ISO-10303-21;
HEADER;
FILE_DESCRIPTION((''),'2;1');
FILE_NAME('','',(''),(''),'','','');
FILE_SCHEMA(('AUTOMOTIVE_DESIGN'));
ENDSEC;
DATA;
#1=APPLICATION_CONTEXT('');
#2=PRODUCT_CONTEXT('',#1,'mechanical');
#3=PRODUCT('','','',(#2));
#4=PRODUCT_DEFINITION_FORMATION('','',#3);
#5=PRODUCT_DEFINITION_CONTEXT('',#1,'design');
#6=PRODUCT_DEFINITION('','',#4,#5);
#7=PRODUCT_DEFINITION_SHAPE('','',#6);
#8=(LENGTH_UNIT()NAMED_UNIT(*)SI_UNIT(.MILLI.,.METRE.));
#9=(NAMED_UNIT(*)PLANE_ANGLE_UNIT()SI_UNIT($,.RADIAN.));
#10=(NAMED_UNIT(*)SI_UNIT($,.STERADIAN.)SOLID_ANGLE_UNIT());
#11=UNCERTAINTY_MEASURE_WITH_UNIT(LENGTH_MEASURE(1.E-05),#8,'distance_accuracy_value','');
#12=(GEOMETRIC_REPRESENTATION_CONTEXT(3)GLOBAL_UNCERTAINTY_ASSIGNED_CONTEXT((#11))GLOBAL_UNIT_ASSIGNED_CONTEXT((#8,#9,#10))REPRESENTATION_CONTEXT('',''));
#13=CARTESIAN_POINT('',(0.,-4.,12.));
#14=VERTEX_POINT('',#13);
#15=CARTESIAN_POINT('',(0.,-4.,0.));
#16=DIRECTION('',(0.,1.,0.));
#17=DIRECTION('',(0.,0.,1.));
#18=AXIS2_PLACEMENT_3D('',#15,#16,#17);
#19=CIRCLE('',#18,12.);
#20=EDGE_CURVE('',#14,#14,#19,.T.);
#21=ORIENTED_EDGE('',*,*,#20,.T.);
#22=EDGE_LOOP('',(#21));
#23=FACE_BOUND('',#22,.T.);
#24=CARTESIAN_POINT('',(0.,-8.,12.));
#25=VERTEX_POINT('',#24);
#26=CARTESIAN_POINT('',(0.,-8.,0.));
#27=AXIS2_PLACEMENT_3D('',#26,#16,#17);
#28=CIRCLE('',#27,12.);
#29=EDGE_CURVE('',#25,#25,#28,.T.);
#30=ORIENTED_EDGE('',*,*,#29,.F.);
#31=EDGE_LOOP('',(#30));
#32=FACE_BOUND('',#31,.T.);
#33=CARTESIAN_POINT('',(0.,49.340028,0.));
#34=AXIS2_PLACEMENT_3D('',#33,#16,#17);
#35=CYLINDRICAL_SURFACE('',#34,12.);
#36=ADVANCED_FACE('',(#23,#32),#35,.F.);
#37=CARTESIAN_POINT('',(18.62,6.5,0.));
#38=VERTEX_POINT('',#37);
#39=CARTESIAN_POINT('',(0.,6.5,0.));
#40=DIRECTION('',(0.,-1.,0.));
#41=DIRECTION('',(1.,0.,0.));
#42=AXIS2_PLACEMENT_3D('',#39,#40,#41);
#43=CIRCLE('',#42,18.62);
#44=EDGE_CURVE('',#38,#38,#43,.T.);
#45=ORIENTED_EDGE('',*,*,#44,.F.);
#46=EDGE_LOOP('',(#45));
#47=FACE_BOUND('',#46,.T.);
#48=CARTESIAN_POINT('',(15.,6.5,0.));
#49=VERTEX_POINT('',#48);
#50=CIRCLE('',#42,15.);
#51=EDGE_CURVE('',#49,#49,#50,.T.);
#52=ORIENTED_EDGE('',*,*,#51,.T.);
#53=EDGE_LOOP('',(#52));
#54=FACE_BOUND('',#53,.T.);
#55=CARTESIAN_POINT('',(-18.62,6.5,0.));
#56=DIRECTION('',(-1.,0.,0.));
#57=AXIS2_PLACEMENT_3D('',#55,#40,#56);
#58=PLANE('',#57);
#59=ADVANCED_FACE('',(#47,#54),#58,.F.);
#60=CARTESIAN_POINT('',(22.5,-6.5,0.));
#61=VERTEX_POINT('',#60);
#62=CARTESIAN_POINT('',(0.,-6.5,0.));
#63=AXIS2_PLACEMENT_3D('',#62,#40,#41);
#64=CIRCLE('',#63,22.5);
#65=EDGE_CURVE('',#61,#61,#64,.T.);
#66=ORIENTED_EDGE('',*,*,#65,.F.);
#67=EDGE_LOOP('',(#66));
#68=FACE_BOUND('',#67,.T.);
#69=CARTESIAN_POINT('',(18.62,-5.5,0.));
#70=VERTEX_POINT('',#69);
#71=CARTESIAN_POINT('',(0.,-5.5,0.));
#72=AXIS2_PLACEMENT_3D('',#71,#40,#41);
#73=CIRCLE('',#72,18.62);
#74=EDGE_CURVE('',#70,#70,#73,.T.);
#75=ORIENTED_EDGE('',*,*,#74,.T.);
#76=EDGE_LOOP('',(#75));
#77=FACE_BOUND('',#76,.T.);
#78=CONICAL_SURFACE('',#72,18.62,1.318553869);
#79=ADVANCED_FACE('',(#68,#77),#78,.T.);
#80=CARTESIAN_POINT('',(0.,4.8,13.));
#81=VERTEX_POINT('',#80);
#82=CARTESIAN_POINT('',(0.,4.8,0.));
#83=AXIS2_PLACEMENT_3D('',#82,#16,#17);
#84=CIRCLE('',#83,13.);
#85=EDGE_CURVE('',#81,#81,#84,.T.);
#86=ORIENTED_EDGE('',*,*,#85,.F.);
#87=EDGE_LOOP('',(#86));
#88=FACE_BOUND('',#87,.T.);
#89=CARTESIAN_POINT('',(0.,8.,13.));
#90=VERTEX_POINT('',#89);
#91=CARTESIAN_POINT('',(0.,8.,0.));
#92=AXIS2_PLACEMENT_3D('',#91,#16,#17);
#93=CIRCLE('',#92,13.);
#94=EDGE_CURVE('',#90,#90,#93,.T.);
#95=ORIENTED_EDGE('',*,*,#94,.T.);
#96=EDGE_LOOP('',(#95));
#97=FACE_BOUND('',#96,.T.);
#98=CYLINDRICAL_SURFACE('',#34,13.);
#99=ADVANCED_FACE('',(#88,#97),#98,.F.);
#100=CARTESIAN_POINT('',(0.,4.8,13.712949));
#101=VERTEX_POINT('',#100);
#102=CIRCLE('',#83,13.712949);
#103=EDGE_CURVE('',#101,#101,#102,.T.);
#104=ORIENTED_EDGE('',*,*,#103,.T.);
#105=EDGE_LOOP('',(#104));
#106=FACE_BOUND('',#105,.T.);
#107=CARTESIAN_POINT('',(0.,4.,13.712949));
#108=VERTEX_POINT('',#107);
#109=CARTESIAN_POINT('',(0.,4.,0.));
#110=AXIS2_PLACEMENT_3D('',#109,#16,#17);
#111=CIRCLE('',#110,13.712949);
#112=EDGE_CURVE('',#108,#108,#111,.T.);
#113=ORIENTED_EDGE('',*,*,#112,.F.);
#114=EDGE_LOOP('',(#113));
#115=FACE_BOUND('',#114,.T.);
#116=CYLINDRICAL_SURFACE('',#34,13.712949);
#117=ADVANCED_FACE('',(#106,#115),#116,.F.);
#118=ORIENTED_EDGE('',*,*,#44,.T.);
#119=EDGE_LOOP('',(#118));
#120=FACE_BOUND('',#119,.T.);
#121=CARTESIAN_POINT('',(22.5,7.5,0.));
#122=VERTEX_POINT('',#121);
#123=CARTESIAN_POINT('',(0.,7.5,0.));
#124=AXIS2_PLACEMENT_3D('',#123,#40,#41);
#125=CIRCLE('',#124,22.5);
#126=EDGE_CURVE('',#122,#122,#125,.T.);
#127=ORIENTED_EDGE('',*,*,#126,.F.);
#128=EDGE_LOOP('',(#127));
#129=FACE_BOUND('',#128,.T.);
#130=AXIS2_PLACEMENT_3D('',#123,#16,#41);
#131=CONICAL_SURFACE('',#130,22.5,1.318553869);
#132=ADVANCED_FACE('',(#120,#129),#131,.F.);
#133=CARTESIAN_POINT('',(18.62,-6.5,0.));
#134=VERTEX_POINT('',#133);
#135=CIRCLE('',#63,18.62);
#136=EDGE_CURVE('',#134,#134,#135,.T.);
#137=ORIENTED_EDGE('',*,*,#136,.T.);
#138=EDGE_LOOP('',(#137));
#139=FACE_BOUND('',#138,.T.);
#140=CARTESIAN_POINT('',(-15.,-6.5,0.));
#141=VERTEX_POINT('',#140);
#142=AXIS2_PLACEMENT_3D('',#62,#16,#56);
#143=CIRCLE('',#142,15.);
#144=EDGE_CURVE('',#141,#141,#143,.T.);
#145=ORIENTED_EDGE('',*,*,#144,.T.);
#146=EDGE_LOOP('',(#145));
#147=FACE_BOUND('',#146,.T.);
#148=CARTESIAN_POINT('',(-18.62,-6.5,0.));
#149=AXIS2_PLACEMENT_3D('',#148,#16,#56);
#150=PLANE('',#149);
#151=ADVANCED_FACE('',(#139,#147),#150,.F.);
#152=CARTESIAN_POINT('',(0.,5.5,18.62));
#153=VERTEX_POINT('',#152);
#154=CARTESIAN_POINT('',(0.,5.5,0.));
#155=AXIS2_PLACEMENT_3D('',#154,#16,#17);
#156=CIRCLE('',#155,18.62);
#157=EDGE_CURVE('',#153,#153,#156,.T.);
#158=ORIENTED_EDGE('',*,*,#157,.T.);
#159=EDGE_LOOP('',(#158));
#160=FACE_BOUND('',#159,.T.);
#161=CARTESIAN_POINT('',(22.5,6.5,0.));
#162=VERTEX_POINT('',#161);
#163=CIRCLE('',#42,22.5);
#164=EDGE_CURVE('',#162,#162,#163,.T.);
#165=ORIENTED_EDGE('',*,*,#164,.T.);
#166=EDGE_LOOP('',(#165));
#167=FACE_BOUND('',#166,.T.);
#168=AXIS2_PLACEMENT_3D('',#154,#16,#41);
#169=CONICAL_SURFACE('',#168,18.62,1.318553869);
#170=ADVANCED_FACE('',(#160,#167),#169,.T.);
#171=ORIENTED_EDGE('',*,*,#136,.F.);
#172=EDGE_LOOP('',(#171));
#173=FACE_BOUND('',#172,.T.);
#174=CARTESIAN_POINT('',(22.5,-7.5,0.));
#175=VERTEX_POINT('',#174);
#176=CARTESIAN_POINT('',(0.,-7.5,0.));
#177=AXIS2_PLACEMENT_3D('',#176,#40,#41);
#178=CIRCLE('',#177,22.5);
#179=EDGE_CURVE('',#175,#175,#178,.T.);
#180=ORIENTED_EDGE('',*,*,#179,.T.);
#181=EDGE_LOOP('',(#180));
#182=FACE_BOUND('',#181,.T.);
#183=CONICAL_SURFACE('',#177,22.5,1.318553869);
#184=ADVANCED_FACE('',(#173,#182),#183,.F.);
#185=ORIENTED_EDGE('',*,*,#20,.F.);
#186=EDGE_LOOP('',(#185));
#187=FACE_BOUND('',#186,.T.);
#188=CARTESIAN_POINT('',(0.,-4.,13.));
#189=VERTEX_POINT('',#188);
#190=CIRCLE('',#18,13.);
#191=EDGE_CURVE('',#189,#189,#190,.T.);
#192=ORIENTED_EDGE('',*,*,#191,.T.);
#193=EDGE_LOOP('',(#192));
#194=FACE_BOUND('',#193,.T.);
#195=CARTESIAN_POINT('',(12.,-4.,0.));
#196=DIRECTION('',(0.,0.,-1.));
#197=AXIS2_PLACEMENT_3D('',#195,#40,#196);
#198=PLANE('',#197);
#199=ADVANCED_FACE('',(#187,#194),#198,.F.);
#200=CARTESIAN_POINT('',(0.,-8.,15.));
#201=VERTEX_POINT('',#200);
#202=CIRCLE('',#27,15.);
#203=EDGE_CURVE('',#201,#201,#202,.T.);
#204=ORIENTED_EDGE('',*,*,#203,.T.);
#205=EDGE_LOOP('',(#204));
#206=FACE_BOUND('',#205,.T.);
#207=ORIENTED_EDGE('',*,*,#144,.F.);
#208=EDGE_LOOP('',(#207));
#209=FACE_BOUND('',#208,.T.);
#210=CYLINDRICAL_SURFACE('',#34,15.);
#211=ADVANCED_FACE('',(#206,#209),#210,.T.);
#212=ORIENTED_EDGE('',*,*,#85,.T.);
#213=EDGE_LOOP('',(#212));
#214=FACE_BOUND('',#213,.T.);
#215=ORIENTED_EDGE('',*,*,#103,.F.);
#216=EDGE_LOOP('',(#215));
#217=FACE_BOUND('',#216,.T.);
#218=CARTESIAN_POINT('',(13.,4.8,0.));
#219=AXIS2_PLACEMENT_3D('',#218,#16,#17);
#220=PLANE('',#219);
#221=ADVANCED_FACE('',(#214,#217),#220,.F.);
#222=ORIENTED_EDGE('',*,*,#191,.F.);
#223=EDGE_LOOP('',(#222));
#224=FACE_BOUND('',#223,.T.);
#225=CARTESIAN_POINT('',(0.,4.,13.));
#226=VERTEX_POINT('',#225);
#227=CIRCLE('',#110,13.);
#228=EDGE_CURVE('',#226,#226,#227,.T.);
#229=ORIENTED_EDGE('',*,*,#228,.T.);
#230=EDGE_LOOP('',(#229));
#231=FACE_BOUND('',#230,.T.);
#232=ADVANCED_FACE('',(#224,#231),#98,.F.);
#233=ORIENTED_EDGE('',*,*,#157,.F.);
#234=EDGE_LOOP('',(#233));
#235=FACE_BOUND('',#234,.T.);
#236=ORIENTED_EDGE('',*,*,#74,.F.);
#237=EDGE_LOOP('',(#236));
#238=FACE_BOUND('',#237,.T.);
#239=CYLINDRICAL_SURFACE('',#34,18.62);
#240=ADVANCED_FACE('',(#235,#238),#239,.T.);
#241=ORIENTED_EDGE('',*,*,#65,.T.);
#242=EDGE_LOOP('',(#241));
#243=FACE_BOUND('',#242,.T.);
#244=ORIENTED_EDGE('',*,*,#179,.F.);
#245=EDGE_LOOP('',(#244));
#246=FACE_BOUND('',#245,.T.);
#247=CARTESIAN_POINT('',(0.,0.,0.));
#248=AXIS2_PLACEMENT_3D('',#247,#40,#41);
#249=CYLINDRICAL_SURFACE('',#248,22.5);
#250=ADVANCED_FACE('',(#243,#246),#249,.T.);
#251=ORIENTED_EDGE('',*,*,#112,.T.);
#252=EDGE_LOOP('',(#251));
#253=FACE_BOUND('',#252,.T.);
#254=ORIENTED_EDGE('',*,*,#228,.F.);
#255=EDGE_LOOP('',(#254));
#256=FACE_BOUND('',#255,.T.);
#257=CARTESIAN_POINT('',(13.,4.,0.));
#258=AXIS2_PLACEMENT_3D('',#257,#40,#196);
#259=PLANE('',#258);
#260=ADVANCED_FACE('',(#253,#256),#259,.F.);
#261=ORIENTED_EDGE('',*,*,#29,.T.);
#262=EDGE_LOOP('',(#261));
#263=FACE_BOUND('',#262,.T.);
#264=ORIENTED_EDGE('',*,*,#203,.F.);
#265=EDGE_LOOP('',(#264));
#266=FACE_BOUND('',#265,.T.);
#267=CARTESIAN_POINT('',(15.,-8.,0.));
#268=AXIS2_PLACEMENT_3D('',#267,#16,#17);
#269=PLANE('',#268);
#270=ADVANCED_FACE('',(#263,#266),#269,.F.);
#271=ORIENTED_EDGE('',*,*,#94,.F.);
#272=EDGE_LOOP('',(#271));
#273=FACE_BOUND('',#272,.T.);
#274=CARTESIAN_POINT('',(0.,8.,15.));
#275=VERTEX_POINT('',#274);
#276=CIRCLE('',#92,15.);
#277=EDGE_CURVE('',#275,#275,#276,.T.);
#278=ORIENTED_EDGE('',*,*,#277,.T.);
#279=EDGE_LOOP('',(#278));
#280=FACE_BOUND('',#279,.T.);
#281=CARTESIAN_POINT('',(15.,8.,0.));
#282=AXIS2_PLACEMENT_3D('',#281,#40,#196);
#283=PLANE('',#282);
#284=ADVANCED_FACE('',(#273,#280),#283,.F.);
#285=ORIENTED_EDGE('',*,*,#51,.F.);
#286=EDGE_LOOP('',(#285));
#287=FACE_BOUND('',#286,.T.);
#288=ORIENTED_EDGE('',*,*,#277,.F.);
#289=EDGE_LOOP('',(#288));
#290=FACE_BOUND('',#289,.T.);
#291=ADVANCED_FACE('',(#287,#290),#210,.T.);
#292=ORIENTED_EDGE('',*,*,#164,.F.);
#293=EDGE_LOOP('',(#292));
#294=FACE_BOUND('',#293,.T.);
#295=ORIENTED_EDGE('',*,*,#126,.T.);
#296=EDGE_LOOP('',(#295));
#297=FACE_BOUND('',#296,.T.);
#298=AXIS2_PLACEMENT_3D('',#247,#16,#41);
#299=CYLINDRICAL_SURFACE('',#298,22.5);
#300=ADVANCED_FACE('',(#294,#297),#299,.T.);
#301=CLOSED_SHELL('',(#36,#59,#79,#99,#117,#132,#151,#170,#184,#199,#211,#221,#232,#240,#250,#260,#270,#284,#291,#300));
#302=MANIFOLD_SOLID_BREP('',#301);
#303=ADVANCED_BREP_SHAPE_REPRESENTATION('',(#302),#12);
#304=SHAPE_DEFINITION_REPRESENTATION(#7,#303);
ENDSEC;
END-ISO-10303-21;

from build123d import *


with BuildPart() as part:
    # 草圖1 → 旋轉1 (revolve)
    with BuildSketch(Plane.XY):
        Polygon((13, 4), (13, -4), (12, -4), (12, -8), (15, -8), (15, -5.5), (18.62, -5.5), (18.62, 5.5), (15, 5.5), (15, 8), (13, 8), (13, 4.8), (13.712949133, 4.8), (13.712949133, 4), align=None)
    revolve(axis=Axis((0, 49.340027701, 0), (0, -1, 0)))

    # 草圖7 → 旋轉2 (revolve)
    with BuildSketch(Plane.XY):
        Polygon((-22.5, -6.5), (-18.62, -5.5), (-15, -5.5), (-15, -6.5), (-18.62, -6.5), (-22.5, -7.5), align=None)
    revolve_2 = revolve(axis=Axis((0, 0, 0), (0, 1, 0)))

    # 鏡射1: 旋轉2 across plane
    add(revolve_2.mirror(Plane.ZX))


solid = part.part
